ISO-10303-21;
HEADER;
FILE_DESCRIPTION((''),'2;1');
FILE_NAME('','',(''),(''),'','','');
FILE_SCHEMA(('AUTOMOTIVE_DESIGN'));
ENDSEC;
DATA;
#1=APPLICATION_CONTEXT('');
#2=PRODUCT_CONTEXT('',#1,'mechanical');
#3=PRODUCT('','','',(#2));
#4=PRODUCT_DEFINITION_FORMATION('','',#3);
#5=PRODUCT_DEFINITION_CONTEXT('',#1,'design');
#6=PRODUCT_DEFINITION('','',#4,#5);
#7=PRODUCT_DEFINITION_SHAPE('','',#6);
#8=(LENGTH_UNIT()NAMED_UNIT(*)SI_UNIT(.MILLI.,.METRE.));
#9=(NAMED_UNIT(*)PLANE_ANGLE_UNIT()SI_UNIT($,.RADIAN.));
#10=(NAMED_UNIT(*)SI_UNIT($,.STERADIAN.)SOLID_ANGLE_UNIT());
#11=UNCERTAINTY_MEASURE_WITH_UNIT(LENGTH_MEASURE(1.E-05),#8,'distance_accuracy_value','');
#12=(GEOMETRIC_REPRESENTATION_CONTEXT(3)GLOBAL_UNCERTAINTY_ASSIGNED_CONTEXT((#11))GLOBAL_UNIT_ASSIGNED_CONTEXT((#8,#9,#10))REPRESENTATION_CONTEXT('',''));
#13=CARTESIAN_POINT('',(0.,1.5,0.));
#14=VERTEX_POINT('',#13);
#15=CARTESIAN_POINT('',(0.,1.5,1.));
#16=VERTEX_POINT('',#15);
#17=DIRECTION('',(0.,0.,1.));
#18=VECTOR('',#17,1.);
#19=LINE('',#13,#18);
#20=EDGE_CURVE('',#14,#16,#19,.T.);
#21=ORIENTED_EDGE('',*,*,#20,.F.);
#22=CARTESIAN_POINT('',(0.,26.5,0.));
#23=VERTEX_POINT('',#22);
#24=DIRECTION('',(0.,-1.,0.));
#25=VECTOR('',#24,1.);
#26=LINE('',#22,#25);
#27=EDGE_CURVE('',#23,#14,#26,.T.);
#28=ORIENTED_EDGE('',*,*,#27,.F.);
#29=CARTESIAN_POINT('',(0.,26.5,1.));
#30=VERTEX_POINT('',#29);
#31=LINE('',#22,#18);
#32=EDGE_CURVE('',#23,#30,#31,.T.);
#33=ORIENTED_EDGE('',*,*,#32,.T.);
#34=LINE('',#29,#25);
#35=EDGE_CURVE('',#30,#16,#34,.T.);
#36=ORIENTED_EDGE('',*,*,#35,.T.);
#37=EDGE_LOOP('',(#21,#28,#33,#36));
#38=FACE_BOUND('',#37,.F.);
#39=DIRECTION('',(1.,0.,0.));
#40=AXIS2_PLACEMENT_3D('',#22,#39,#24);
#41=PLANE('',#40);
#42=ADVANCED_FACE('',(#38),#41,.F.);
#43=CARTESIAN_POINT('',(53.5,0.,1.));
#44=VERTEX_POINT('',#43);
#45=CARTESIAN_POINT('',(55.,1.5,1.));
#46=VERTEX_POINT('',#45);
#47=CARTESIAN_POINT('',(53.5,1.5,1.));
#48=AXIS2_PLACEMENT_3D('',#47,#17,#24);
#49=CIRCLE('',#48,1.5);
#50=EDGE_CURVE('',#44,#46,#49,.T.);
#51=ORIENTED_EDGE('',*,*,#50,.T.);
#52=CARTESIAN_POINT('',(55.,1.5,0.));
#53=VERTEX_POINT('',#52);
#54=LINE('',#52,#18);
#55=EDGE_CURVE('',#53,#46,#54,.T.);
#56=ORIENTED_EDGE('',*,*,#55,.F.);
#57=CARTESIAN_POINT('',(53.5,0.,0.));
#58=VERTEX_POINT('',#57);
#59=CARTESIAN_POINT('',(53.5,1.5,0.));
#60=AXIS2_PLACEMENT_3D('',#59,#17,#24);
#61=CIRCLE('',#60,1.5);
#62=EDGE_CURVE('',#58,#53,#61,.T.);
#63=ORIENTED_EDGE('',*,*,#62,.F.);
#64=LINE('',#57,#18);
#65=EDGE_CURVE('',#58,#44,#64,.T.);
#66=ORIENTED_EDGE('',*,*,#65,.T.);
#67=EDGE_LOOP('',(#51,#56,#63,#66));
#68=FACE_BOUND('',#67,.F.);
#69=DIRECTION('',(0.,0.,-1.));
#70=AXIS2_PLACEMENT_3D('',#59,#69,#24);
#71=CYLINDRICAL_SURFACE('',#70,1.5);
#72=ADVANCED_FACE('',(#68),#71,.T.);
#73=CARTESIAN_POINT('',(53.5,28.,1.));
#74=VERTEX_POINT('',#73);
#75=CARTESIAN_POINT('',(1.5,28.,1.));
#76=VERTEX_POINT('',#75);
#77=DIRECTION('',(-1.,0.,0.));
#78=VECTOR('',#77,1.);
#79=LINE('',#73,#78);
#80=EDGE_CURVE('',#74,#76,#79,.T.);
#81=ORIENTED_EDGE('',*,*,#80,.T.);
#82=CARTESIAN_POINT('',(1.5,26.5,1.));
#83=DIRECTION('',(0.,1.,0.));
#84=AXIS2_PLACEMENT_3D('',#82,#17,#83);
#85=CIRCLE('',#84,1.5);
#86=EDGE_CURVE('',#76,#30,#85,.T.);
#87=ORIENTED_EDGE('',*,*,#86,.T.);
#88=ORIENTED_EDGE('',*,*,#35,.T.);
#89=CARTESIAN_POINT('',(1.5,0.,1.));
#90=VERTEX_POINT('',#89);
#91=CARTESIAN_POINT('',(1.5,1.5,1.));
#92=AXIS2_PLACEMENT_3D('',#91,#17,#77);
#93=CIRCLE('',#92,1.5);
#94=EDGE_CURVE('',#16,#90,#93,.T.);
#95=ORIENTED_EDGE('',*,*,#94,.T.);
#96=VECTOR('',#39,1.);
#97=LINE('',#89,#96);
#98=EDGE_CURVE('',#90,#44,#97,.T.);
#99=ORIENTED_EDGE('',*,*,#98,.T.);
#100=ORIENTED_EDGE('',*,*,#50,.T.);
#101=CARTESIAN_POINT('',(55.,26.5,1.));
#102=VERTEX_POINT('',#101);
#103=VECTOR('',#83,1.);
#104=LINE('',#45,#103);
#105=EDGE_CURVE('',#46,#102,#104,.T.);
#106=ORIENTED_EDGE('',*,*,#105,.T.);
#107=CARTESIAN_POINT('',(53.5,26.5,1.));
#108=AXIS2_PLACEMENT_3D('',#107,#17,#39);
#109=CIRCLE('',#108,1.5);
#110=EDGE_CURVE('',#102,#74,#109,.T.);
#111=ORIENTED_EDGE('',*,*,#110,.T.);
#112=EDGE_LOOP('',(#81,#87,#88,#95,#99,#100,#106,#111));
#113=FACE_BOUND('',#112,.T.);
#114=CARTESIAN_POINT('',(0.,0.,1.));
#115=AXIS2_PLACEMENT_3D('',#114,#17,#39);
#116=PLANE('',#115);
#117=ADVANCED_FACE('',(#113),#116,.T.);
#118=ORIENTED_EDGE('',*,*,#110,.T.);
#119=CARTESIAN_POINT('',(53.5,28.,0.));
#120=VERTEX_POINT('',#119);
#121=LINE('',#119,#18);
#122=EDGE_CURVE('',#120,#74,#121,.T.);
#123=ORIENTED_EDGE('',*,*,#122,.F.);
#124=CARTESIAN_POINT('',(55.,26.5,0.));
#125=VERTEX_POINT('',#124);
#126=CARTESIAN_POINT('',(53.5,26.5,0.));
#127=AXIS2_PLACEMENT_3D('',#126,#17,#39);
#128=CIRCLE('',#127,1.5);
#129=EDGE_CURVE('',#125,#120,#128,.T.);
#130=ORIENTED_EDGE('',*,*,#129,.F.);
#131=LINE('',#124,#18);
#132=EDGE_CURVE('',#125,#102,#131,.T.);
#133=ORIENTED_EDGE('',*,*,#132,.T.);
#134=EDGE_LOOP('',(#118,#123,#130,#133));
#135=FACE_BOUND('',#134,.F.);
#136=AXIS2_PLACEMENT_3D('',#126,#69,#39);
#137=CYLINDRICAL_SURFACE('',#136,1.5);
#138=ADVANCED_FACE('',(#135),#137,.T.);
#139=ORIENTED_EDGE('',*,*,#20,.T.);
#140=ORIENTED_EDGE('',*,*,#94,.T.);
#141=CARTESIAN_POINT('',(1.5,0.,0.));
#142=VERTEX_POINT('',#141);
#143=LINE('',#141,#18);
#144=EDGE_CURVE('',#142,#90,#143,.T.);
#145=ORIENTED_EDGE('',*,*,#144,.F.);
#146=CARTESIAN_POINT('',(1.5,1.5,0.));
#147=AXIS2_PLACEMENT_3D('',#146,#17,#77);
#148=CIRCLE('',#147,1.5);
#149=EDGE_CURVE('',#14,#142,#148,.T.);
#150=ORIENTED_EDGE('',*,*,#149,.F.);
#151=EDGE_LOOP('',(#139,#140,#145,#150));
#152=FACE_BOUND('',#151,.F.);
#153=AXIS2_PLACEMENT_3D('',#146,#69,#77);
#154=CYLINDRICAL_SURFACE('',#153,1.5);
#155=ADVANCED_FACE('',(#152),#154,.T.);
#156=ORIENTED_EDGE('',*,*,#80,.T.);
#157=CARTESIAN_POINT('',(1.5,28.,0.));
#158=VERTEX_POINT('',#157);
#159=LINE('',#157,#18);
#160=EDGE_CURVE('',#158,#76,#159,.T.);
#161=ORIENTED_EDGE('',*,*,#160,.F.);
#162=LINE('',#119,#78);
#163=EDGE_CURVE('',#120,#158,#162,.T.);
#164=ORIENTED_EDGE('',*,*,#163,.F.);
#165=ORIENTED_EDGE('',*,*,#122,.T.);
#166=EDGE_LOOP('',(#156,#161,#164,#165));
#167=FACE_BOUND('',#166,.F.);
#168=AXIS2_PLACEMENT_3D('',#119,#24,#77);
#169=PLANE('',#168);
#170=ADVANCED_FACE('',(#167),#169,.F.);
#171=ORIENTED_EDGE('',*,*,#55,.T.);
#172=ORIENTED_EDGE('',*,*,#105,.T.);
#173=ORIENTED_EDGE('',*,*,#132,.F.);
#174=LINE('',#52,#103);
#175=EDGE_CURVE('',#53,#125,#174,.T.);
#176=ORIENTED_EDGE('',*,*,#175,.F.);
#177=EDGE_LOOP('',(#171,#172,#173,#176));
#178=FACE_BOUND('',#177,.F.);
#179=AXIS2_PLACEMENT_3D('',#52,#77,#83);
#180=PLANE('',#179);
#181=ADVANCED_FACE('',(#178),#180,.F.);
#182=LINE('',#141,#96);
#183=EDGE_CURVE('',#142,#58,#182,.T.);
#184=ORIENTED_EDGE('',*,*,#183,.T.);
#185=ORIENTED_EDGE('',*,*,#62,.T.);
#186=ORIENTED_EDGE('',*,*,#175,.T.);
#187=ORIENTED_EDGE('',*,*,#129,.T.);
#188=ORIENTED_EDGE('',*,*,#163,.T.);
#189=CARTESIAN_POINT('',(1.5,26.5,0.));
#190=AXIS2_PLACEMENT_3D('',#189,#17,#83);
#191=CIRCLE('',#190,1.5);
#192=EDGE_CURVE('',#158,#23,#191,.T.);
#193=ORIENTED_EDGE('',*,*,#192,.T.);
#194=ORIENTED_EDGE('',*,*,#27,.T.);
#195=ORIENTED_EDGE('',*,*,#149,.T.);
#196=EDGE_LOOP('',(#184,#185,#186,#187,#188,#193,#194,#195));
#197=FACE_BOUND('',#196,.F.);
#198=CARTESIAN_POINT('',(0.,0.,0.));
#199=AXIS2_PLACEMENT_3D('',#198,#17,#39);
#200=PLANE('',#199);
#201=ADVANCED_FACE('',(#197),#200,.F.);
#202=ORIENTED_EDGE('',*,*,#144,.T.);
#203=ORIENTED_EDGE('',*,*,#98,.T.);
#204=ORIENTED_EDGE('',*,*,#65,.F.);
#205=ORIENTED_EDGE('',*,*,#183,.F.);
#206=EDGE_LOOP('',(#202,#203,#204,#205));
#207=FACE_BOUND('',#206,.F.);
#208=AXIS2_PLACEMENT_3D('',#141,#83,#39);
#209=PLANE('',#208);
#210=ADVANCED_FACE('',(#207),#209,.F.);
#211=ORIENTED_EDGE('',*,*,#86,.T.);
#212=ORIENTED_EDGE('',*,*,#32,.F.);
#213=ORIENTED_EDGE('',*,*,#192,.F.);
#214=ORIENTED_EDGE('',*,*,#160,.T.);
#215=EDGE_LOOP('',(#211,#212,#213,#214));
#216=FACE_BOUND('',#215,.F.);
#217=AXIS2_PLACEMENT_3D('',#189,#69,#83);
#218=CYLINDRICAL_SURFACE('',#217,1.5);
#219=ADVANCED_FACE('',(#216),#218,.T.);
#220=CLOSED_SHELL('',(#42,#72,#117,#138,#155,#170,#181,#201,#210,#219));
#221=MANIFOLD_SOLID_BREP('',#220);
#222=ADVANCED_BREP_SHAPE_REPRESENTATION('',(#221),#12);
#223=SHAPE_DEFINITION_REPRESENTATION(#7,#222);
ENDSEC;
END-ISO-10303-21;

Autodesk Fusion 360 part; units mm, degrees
sketch "Sketch1" plane through (0, 0, 0) normal (0, 0, 1) x (1, 0, 0)
  line L0 (1.5, 0) -> (53.5, 0)
  line L1 (55, 1.5) -> (55, 26.5)
  line L2 (53.5, 28) -> (1.5, 28)
  line L3 (0, 26.5) -> (0, 1.5)
  arc A0 (55, 26.5) -> (53.5, 28) centre (53.5, 26.5) ccw
  arc A1 (53.5, 0) -> (55, 1.5) centre (53.5, 1.5) ccw
  arc A2 (1.5, 28) -> (0, 26.5) centre (1.5, 26.5) ccw
  arc A3 (0, 1.5) -> (1.5, 0) centre (1.5, 1.5) ccw
  point P0 (55, 28)
  point P1 (0, 28)
  dimension "d1" = 28
  dimension "d2" = 55
  dimension "d3" = 1.5
  dimension "d4" = 1.5
  dimension "d5" = 1.5
  dimension "d6" = 1.5
extrude "Extrude1" add sketch "Sketch1" along normal blind 1
